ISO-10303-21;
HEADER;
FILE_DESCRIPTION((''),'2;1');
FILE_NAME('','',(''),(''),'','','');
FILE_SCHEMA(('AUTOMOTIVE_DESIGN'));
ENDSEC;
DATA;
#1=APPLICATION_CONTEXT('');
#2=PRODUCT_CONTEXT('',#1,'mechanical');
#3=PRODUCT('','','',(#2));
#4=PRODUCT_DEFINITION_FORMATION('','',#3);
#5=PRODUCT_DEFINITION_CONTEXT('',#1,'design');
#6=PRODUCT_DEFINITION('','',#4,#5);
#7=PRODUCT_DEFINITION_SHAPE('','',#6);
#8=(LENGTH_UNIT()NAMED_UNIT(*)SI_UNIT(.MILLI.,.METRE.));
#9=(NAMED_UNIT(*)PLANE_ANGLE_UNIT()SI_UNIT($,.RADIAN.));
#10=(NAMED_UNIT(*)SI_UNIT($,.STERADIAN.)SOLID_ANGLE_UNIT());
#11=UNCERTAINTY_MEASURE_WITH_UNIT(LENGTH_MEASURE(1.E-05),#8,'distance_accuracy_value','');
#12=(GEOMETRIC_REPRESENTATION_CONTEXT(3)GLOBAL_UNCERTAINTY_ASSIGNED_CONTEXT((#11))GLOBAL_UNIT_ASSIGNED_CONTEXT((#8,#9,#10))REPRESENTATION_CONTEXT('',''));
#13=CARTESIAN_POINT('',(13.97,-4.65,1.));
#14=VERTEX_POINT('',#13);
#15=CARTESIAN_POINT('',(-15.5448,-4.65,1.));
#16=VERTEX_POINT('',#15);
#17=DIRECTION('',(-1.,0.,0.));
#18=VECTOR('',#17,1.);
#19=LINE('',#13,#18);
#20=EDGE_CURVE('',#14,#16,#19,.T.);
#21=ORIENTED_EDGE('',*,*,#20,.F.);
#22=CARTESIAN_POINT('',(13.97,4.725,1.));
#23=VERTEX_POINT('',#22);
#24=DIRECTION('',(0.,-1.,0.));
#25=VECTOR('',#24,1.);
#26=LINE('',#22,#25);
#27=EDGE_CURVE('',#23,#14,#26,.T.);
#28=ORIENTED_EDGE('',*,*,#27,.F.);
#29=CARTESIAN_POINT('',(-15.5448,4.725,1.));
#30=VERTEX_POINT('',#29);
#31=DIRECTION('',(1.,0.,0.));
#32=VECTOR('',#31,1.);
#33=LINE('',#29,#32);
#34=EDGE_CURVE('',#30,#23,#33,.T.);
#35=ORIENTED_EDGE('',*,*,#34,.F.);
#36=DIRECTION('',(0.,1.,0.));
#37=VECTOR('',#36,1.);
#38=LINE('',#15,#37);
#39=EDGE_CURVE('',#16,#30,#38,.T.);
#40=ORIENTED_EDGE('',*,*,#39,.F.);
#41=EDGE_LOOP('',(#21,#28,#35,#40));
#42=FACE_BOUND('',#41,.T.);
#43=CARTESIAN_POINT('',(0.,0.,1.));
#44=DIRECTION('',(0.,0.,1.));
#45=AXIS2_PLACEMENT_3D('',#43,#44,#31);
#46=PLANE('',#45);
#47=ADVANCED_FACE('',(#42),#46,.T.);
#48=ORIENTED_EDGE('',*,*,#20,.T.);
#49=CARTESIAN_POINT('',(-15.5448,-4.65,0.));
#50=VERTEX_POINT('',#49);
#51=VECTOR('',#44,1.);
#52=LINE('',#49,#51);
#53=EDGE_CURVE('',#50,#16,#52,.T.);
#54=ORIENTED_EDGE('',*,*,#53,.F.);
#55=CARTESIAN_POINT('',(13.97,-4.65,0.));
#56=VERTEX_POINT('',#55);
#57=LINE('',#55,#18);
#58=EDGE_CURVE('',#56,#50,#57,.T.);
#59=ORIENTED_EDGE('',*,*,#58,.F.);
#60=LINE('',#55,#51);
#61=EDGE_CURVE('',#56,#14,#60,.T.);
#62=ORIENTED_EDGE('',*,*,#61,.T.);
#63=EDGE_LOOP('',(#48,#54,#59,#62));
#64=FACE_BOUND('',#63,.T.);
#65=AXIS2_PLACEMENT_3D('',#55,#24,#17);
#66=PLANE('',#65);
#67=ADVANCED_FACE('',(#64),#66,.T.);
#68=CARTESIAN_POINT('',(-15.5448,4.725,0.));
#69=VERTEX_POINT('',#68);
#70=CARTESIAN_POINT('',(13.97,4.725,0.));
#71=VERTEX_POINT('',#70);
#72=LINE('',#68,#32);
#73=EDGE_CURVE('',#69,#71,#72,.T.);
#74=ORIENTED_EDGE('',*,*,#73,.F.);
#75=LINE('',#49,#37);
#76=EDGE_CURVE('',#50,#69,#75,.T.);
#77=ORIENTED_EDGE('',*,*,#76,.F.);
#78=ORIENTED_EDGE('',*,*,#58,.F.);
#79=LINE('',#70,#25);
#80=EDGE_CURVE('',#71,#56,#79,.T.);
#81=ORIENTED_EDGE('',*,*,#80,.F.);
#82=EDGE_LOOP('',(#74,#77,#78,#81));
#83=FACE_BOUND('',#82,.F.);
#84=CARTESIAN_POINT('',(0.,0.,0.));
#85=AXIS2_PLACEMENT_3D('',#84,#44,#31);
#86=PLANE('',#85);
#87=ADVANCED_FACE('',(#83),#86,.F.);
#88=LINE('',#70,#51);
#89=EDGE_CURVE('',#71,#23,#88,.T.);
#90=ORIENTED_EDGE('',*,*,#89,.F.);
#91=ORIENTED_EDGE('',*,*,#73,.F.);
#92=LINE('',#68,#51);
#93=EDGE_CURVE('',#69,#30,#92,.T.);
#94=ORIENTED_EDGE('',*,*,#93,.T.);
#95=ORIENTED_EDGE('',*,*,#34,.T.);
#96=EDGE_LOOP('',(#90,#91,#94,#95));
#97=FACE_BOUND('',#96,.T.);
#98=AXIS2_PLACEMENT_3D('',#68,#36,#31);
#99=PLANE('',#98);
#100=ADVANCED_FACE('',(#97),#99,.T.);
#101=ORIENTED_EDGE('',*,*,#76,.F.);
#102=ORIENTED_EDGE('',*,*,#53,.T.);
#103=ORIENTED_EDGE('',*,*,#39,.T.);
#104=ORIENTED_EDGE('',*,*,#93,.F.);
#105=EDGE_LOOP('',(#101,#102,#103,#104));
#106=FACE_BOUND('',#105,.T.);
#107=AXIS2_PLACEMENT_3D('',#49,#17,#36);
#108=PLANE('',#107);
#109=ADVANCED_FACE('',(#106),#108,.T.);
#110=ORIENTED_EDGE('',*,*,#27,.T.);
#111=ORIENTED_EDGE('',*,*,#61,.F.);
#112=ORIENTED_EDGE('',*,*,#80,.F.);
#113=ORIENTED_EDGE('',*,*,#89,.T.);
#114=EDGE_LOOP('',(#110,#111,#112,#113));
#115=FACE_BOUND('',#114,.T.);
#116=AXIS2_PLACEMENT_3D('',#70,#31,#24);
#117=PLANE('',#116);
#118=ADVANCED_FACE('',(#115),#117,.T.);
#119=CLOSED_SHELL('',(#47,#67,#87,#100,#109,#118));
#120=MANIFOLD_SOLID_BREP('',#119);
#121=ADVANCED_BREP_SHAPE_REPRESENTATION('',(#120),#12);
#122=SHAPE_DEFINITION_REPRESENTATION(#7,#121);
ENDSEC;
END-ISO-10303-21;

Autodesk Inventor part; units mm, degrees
ref_plane "YZ Plane" through (0, 0, 0) normal (1, 0, 0) x (0, 1, 0)
ref_plane "XZ Plane" through (0, 0, 0) normal (0, 1, 0) x (-1, 0, 0)
ref_plane "XY Plane" through (0, 0, 0) normal (0, 0, 1) x (1, 0, 0)
sketch "VTA52, VTA52_36" plane through (0, 0, 0) normal (0, 0, 1) x (1, 0, 0)
  line L0 (-15.5448, 4.725) -> (13.97, 4.725)
  line L1 (13.97, 4.725) -> (13.97, -4.65)
  line L2 (13.97, -4.65) -> (-15.5448, -4.65)
  line L3 (-15.5448, -4.65) -> (-15.5448, 4.725)
extrude "Extrusion1" add sketch "VTA52, VTA52_36" along normal blind 1
properties part number "VTA52"
